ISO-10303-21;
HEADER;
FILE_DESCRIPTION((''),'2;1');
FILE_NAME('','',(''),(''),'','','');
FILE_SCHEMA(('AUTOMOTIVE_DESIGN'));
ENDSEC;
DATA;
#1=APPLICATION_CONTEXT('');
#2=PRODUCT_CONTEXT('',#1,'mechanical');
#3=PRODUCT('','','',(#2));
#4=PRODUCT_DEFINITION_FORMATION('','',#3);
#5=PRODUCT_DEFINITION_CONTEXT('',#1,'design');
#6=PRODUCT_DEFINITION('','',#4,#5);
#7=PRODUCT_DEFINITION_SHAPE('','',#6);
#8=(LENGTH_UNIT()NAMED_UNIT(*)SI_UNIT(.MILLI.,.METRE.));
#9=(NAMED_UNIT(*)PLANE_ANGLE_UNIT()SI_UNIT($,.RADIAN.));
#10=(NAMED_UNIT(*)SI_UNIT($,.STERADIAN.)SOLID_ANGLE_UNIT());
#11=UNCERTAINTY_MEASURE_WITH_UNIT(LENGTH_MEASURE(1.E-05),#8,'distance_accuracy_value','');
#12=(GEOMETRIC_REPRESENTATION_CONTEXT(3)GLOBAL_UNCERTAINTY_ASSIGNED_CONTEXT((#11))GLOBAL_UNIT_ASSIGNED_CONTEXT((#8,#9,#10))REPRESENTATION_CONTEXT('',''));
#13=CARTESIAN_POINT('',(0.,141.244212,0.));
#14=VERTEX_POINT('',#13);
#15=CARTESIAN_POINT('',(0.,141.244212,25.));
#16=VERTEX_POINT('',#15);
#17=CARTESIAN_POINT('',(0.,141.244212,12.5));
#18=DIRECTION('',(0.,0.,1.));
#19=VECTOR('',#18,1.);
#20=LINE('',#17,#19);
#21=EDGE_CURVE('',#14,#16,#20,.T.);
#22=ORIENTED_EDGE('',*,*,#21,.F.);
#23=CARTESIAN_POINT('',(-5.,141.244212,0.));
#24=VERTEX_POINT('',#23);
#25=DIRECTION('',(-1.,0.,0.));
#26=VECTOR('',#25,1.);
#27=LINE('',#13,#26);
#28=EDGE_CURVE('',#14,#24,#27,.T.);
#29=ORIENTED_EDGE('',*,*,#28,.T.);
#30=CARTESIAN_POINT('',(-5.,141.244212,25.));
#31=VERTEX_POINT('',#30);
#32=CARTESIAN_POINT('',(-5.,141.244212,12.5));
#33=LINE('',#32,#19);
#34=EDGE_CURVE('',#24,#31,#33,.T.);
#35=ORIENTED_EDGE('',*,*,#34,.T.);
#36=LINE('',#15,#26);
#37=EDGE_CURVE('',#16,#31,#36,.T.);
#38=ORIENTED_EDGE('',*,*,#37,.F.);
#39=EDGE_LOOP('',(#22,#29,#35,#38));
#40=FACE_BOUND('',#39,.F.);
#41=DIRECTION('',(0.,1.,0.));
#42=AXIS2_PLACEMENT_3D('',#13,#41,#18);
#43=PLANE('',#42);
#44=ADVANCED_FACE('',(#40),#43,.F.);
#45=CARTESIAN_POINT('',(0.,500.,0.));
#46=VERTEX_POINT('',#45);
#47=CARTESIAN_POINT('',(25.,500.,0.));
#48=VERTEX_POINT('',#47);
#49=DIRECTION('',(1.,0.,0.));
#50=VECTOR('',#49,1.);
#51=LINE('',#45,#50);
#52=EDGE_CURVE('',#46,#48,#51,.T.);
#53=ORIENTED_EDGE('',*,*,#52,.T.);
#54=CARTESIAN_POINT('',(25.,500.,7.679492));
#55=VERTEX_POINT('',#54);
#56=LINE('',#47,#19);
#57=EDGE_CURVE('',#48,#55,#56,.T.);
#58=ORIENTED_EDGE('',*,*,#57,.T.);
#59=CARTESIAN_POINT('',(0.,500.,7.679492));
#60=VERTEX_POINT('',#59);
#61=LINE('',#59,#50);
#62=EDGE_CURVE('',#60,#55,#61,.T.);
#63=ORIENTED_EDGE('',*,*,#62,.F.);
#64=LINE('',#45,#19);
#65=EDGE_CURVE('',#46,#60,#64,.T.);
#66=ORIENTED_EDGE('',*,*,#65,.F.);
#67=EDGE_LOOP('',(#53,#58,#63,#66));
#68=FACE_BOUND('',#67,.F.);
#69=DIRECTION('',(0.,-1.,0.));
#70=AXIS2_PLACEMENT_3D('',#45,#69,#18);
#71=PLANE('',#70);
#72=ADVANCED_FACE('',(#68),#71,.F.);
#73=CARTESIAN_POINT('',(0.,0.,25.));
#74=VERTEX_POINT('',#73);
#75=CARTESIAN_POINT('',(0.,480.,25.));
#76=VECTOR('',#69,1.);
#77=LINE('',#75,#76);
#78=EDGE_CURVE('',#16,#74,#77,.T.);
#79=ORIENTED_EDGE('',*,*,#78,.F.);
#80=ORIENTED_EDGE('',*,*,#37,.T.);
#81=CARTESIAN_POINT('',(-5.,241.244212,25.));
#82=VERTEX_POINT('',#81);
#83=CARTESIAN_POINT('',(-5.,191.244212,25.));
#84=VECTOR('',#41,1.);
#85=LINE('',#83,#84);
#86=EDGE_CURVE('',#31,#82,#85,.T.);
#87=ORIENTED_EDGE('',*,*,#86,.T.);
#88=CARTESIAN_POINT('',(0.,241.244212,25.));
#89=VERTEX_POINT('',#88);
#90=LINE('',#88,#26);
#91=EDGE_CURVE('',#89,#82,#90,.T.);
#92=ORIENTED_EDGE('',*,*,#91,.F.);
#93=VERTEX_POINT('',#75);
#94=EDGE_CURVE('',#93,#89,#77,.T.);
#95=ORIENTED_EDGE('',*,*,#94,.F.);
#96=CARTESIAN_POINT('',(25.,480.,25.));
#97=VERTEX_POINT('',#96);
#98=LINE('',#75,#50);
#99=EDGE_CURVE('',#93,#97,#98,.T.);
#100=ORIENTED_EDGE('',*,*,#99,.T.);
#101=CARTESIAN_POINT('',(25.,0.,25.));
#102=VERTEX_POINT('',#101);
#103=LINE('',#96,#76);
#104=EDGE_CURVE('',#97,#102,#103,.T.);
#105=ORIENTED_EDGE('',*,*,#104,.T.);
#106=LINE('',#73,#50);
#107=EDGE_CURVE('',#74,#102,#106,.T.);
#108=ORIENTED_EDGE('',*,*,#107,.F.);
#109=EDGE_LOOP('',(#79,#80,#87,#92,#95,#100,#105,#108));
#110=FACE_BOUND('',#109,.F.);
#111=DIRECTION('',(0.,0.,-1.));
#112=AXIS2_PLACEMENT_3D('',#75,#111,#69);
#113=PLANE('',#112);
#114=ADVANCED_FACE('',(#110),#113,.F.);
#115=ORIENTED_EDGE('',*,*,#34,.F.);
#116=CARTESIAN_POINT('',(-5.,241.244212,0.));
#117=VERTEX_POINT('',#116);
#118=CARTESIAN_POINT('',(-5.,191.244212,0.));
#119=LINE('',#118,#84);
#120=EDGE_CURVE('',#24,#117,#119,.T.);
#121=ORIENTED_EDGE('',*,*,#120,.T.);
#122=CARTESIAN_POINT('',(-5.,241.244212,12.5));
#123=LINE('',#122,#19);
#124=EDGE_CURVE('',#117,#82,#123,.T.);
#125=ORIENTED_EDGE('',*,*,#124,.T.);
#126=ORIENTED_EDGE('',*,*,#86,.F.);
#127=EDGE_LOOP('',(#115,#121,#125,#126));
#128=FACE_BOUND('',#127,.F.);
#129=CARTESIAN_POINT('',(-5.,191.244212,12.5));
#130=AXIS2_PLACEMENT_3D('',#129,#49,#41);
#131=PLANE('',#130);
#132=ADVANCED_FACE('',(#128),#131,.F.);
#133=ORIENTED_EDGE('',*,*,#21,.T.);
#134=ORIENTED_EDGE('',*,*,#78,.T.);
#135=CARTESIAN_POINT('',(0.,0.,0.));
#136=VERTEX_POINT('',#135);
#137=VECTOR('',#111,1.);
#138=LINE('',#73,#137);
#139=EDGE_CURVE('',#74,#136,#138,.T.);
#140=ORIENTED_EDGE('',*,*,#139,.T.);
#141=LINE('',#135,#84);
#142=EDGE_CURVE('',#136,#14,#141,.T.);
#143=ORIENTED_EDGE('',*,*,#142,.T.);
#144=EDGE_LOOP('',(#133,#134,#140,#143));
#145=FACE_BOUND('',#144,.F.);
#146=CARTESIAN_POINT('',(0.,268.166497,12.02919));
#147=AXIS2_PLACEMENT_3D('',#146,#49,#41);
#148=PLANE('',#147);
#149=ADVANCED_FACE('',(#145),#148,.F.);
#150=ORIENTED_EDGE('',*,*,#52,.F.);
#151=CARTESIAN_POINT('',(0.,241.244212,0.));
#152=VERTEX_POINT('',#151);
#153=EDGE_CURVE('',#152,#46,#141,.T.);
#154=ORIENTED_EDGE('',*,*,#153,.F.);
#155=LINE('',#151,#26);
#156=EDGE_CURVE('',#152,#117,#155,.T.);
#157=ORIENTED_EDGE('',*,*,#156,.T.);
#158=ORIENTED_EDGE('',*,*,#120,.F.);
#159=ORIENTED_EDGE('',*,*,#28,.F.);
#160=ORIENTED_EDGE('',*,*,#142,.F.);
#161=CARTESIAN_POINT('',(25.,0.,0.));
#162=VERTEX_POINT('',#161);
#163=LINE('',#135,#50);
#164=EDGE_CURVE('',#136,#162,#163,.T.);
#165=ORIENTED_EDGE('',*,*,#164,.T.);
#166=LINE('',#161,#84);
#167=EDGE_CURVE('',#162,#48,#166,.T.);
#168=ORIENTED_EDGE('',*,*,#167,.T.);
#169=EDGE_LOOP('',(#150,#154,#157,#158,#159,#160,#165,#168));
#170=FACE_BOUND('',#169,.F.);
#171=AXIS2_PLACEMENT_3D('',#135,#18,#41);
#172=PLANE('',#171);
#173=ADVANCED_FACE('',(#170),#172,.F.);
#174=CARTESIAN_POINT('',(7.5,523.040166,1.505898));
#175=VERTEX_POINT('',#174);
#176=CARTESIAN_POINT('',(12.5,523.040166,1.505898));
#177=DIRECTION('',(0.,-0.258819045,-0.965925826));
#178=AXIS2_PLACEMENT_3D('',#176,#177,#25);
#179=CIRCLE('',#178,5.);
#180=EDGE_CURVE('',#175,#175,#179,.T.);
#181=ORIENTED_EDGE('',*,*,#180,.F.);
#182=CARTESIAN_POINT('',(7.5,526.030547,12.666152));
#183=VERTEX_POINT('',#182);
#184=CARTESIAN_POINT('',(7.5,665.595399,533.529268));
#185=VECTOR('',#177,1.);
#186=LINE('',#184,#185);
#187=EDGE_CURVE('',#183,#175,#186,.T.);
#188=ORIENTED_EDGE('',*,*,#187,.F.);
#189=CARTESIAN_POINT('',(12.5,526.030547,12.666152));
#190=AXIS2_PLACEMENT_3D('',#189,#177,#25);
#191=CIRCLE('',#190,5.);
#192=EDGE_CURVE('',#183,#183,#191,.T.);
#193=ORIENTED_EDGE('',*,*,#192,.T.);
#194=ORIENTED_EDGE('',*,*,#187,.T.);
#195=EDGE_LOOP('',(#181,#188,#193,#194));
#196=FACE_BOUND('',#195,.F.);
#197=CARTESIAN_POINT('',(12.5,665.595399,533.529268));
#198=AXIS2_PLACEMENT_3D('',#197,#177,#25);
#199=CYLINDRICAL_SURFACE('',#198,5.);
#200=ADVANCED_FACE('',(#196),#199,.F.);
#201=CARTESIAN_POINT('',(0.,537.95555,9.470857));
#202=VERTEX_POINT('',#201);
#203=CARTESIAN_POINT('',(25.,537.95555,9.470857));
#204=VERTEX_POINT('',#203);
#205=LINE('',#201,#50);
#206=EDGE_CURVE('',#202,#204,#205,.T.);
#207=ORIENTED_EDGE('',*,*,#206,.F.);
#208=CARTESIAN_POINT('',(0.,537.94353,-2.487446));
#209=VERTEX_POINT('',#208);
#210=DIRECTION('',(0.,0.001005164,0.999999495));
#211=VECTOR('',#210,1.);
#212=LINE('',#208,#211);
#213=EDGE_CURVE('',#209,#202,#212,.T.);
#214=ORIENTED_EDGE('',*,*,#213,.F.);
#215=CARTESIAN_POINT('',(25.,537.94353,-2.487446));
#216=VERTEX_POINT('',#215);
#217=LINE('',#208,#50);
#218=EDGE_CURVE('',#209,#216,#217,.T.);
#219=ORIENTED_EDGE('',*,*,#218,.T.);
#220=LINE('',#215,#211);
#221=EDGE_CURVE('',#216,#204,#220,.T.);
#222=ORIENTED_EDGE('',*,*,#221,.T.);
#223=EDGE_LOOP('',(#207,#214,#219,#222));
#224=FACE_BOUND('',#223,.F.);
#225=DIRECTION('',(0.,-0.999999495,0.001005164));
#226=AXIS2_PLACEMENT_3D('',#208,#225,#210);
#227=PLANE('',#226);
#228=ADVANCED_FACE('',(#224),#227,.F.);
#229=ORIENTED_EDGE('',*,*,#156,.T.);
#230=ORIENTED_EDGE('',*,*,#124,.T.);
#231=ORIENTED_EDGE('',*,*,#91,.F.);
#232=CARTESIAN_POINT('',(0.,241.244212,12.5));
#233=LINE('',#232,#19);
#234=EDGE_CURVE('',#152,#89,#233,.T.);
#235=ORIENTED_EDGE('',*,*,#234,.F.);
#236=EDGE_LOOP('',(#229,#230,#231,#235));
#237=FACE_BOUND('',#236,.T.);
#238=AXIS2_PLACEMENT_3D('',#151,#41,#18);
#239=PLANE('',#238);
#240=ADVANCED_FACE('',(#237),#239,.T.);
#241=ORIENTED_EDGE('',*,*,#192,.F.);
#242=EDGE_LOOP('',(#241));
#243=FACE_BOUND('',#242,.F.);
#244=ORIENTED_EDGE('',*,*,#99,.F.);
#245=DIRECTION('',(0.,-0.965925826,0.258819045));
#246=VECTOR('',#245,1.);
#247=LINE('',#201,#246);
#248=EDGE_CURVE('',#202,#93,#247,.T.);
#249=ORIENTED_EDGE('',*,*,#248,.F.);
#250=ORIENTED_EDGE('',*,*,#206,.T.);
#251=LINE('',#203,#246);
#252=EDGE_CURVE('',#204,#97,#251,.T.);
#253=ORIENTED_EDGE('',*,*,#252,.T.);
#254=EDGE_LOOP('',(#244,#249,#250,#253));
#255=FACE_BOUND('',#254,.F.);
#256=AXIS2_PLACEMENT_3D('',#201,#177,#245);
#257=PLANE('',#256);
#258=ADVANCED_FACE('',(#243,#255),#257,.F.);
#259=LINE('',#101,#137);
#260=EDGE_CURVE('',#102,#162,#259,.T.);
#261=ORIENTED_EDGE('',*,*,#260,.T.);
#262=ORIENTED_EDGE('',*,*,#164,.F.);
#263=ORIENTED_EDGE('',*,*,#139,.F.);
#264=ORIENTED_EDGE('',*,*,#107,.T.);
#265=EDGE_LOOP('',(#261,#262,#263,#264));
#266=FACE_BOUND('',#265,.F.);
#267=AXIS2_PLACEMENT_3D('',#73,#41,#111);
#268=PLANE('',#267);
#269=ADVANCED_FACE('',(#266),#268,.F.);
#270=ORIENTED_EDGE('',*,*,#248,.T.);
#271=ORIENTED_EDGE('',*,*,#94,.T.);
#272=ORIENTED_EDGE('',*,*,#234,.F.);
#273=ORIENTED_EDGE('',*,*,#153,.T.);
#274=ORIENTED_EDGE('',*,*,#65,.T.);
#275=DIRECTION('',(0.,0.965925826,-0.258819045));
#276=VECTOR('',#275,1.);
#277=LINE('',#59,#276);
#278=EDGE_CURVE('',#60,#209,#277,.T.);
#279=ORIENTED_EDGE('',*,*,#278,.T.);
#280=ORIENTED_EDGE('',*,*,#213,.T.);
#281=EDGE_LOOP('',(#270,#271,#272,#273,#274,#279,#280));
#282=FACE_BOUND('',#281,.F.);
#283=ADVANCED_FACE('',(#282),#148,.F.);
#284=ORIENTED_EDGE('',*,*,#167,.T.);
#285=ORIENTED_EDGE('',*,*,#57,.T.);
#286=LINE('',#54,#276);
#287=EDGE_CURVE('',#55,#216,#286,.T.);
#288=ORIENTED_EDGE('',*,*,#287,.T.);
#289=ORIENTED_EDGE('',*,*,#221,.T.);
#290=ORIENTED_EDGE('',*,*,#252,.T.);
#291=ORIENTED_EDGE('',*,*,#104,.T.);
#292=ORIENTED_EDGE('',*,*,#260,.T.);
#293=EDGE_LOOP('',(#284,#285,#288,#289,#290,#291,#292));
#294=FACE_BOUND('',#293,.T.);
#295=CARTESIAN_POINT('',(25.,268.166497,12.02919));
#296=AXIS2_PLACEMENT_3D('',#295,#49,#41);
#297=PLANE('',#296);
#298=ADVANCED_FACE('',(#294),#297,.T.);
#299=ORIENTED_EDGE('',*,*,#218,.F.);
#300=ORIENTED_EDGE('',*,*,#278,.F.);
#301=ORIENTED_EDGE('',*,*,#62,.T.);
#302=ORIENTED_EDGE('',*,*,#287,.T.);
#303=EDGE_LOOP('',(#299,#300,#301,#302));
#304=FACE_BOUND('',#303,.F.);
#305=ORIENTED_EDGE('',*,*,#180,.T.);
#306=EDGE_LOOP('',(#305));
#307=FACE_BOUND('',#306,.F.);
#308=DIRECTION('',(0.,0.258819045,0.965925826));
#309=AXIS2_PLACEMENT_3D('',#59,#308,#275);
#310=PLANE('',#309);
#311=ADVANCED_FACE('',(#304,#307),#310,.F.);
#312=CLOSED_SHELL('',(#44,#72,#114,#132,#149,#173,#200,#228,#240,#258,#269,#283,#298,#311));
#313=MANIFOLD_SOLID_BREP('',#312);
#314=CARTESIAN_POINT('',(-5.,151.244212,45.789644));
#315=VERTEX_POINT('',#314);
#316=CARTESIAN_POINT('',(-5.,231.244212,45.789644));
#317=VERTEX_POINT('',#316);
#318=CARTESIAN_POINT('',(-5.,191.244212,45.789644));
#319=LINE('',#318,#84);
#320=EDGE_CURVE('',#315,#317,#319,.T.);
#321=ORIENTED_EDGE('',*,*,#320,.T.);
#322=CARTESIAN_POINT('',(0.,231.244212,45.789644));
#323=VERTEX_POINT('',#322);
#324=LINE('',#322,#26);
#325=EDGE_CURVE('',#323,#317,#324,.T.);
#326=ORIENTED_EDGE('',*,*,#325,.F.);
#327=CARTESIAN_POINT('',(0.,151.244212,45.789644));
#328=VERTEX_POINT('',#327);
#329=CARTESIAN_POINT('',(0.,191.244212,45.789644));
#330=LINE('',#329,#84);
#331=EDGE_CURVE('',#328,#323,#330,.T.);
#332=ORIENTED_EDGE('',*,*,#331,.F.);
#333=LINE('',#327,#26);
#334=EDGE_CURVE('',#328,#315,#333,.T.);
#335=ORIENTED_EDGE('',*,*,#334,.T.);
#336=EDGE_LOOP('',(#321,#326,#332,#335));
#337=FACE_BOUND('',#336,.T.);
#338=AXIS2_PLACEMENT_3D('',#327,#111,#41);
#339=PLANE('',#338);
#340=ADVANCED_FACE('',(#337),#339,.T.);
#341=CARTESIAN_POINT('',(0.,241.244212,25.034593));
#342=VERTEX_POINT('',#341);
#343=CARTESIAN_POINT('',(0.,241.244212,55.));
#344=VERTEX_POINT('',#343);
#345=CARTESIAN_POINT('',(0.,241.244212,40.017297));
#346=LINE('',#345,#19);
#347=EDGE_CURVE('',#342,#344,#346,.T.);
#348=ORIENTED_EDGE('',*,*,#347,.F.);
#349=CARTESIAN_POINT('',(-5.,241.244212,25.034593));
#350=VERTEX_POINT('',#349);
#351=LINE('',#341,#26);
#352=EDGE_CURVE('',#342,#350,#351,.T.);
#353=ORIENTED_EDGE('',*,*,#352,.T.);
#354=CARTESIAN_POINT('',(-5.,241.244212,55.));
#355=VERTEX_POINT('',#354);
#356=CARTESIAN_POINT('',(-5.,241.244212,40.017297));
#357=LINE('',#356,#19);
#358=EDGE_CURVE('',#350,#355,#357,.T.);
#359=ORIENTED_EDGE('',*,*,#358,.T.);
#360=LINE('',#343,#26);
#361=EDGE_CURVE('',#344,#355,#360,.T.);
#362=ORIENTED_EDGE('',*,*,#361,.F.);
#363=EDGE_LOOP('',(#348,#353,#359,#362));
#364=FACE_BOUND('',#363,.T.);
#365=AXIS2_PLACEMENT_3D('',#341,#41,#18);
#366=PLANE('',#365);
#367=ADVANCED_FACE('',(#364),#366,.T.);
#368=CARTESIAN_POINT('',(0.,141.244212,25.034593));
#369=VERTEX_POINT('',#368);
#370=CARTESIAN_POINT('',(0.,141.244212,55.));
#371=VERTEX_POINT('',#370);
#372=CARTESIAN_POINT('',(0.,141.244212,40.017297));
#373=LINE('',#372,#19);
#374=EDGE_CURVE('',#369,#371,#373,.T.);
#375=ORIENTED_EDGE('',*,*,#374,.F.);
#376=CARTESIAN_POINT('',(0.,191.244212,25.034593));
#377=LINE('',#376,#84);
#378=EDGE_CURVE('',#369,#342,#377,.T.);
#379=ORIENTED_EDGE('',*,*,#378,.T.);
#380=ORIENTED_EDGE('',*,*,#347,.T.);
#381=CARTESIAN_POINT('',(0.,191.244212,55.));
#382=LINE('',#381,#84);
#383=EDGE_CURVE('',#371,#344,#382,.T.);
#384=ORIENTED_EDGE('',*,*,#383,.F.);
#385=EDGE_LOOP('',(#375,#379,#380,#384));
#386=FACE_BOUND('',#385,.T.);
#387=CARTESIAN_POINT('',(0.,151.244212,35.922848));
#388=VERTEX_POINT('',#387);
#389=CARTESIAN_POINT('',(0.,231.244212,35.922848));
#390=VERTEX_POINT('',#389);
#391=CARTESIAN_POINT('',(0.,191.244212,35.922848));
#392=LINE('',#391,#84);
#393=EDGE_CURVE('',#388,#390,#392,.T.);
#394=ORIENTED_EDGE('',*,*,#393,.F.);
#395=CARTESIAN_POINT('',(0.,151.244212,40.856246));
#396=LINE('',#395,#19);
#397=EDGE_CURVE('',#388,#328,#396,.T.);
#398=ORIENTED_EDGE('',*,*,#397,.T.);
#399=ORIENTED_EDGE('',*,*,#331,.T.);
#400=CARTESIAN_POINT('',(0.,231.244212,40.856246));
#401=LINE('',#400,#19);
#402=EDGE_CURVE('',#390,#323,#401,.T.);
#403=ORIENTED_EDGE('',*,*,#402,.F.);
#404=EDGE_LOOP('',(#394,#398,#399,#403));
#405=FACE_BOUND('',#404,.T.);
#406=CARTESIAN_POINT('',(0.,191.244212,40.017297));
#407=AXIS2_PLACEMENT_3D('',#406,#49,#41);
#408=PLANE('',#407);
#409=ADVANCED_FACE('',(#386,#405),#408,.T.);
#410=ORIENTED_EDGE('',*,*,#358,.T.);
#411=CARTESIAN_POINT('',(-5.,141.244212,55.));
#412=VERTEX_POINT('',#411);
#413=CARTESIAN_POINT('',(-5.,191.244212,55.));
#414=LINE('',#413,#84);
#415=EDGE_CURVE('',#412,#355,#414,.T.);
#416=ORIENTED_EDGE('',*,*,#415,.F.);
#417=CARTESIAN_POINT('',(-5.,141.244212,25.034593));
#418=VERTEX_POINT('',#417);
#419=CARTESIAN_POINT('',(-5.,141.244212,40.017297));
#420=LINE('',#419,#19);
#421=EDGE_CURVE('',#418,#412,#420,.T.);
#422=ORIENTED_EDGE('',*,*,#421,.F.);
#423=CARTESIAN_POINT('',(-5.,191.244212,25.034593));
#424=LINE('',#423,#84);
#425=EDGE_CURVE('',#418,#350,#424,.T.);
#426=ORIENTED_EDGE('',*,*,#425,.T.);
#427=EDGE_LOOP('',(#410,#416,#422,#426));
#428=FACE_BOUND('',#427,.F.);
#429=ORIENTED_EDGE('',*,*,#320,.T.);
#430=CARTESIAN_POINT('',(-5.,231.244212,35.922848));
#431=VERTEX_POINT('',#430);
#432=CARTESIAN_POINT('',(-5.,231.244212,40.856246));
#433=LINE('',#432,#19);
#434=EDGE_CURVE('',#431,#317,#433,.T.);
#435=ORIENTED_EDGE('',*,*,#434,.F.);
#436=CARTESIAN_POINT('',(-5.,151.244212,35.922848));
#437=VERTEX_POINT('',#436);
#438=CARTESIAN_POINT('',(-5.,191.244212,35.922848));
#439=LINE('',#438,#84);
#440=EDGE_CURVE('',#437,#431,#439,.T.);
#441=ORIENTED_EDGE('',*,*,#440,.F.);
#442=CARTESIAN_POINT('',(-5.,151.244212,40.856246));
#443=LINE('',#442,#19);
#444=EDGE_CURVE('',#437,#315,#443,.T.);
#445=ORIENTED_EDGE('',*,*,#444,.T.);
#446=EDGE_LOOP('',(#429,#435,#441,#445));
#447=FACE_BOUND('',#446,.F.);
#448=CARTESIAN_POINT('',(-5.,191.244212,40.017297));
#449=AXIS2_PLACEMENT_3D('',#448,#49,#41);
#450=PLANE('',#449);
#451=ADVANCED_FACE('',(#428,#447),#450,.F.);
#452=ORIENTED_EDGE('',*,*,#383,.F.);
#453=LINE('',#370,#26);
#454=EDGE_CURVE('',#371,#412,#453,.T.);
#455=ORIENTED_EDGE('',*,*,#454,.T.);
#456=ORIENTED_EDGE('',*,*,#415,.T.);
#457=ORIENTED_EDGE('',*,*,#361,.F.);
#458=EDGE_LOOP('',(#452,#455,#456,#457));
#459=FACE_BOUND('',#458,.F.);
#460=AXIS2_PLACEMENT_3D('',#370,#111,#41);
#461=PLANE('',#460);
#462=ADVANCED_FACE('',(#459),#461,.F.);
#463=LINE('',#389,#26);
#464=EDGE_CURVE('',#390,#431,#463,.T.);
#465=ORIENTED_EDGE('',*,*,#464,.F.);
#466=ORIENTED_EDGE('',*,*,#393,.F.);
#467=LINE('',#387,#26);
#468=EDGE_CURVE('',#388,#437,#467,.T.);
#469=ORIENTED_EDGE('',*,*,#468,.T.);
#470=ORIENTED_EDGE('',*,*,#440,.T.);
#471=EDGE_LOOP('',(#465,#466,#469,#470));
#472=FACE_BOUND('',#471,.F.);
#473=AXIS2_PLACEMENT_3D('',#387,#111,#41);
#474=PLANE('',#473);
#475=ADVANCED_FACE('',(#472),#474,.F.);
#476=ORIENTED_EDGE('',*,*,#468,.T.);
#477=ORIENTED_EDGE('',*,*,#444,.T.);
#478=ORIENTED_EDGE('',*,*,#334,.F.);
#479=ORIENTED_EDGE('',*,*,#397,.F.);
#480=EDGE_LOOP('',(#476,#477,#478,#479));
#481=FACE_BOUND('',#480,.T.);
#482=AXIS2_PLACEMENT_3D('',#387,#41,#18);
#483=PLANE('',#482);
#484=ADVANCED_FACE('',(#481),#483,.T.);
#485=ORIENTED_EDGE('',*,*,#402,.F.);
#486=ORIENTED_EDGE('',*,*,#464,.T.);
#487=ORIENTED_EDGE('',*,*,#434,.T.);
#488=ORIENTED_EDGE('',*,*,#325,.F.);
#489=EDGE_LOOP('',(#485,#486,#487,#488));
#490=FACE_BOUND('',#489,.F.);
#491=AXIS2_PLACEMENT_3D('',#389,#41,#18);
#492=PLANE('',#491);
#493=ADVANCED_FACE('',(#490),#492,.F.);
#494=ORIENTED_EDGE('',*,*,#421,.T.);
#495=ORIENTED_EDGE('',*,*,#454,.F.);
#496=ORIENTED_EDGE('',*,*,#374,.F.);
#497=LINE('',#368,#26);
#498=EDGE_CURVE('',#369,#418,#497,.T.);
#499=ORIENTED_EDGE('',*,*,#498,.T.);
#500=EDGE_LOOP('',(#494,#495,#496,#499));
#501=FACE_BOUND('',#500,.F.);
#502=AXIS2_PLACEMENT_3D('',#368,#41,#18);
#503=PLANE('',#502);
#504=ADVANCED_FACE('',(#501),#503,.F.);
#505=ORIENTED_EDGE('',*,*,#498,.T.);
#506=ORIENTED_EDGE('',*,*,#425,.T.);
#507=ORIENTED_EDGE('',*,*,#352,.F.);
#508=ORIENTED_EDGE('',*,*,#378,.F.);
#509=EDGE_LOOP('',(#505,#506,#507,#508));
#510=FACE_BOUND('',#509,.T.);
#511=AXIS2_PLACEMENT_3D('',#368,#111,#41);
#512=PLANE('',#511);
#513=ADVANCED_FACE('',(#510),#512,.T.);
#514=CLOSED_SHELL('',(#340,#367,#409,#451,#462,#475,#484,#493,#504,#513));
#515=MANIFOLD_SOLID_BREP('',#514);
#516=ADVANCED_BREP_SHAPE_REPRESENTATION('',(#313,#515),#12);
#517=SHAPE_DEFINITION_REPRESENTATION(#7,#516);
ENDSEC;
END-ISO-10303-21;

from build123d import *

# Parameters (mm, degrees)
F1_DEPTH = 25
F3_D     = 10
F4_W     = 100
F4_H     = 29.9654065818
F4_W_2   = 80
F4_H_2   = 9.8667964339
F5_DEPTH = 5
F4_H_3   = 25


with BuildPart() as f1:
    # F0 (on Right) → F1 (new body)
    with BuildSketch(Plane.YZ):
        Polygon((0, 25), (0, 0), (500, 0), (500, 7.6794919243), (537.9435295104, -2.487446166), (537.9555495773, 9.4708572938), (480, 25), align=None)
    extrude(amount=F1_DEPTH)

    # F3 (through all)
    with Locations(Plane(origin=(0, 38.4039030917, 143.3253175473), x_dir=(1, 0, 0), z_dir=(0, 0.2588190451, 0.9659258263))):
        with Locations((12.5, 504.8282497212)):
            Hole(F3_D / 2)

    # F4 (on face) → F5, piece 2 (join)
    with BuildSketch(Plane.YZ):
        with Locations((191.2442117929, 12.5)):
            Rectangle(F4_W, F4_H_3)
    extrude(amount=-F5_DEPTH)


with BuildPart() as f5:
    # F4 (on face) → F5 (new body)
    with BuildSketch(Plane.YZ):
        with Locations((191.2442117929, 40.0172967091)):
            Rectangle(F4_W, F4_H)
        with Locations((191.2442117929, 40.8562459052)):
            Rectangle(F4_W_2, F4_H_2, mode=Mode.SUBTRACT)
    extrude(amount=-F5_DEPTH)


solid = Compound([f1.part, f5.part])
